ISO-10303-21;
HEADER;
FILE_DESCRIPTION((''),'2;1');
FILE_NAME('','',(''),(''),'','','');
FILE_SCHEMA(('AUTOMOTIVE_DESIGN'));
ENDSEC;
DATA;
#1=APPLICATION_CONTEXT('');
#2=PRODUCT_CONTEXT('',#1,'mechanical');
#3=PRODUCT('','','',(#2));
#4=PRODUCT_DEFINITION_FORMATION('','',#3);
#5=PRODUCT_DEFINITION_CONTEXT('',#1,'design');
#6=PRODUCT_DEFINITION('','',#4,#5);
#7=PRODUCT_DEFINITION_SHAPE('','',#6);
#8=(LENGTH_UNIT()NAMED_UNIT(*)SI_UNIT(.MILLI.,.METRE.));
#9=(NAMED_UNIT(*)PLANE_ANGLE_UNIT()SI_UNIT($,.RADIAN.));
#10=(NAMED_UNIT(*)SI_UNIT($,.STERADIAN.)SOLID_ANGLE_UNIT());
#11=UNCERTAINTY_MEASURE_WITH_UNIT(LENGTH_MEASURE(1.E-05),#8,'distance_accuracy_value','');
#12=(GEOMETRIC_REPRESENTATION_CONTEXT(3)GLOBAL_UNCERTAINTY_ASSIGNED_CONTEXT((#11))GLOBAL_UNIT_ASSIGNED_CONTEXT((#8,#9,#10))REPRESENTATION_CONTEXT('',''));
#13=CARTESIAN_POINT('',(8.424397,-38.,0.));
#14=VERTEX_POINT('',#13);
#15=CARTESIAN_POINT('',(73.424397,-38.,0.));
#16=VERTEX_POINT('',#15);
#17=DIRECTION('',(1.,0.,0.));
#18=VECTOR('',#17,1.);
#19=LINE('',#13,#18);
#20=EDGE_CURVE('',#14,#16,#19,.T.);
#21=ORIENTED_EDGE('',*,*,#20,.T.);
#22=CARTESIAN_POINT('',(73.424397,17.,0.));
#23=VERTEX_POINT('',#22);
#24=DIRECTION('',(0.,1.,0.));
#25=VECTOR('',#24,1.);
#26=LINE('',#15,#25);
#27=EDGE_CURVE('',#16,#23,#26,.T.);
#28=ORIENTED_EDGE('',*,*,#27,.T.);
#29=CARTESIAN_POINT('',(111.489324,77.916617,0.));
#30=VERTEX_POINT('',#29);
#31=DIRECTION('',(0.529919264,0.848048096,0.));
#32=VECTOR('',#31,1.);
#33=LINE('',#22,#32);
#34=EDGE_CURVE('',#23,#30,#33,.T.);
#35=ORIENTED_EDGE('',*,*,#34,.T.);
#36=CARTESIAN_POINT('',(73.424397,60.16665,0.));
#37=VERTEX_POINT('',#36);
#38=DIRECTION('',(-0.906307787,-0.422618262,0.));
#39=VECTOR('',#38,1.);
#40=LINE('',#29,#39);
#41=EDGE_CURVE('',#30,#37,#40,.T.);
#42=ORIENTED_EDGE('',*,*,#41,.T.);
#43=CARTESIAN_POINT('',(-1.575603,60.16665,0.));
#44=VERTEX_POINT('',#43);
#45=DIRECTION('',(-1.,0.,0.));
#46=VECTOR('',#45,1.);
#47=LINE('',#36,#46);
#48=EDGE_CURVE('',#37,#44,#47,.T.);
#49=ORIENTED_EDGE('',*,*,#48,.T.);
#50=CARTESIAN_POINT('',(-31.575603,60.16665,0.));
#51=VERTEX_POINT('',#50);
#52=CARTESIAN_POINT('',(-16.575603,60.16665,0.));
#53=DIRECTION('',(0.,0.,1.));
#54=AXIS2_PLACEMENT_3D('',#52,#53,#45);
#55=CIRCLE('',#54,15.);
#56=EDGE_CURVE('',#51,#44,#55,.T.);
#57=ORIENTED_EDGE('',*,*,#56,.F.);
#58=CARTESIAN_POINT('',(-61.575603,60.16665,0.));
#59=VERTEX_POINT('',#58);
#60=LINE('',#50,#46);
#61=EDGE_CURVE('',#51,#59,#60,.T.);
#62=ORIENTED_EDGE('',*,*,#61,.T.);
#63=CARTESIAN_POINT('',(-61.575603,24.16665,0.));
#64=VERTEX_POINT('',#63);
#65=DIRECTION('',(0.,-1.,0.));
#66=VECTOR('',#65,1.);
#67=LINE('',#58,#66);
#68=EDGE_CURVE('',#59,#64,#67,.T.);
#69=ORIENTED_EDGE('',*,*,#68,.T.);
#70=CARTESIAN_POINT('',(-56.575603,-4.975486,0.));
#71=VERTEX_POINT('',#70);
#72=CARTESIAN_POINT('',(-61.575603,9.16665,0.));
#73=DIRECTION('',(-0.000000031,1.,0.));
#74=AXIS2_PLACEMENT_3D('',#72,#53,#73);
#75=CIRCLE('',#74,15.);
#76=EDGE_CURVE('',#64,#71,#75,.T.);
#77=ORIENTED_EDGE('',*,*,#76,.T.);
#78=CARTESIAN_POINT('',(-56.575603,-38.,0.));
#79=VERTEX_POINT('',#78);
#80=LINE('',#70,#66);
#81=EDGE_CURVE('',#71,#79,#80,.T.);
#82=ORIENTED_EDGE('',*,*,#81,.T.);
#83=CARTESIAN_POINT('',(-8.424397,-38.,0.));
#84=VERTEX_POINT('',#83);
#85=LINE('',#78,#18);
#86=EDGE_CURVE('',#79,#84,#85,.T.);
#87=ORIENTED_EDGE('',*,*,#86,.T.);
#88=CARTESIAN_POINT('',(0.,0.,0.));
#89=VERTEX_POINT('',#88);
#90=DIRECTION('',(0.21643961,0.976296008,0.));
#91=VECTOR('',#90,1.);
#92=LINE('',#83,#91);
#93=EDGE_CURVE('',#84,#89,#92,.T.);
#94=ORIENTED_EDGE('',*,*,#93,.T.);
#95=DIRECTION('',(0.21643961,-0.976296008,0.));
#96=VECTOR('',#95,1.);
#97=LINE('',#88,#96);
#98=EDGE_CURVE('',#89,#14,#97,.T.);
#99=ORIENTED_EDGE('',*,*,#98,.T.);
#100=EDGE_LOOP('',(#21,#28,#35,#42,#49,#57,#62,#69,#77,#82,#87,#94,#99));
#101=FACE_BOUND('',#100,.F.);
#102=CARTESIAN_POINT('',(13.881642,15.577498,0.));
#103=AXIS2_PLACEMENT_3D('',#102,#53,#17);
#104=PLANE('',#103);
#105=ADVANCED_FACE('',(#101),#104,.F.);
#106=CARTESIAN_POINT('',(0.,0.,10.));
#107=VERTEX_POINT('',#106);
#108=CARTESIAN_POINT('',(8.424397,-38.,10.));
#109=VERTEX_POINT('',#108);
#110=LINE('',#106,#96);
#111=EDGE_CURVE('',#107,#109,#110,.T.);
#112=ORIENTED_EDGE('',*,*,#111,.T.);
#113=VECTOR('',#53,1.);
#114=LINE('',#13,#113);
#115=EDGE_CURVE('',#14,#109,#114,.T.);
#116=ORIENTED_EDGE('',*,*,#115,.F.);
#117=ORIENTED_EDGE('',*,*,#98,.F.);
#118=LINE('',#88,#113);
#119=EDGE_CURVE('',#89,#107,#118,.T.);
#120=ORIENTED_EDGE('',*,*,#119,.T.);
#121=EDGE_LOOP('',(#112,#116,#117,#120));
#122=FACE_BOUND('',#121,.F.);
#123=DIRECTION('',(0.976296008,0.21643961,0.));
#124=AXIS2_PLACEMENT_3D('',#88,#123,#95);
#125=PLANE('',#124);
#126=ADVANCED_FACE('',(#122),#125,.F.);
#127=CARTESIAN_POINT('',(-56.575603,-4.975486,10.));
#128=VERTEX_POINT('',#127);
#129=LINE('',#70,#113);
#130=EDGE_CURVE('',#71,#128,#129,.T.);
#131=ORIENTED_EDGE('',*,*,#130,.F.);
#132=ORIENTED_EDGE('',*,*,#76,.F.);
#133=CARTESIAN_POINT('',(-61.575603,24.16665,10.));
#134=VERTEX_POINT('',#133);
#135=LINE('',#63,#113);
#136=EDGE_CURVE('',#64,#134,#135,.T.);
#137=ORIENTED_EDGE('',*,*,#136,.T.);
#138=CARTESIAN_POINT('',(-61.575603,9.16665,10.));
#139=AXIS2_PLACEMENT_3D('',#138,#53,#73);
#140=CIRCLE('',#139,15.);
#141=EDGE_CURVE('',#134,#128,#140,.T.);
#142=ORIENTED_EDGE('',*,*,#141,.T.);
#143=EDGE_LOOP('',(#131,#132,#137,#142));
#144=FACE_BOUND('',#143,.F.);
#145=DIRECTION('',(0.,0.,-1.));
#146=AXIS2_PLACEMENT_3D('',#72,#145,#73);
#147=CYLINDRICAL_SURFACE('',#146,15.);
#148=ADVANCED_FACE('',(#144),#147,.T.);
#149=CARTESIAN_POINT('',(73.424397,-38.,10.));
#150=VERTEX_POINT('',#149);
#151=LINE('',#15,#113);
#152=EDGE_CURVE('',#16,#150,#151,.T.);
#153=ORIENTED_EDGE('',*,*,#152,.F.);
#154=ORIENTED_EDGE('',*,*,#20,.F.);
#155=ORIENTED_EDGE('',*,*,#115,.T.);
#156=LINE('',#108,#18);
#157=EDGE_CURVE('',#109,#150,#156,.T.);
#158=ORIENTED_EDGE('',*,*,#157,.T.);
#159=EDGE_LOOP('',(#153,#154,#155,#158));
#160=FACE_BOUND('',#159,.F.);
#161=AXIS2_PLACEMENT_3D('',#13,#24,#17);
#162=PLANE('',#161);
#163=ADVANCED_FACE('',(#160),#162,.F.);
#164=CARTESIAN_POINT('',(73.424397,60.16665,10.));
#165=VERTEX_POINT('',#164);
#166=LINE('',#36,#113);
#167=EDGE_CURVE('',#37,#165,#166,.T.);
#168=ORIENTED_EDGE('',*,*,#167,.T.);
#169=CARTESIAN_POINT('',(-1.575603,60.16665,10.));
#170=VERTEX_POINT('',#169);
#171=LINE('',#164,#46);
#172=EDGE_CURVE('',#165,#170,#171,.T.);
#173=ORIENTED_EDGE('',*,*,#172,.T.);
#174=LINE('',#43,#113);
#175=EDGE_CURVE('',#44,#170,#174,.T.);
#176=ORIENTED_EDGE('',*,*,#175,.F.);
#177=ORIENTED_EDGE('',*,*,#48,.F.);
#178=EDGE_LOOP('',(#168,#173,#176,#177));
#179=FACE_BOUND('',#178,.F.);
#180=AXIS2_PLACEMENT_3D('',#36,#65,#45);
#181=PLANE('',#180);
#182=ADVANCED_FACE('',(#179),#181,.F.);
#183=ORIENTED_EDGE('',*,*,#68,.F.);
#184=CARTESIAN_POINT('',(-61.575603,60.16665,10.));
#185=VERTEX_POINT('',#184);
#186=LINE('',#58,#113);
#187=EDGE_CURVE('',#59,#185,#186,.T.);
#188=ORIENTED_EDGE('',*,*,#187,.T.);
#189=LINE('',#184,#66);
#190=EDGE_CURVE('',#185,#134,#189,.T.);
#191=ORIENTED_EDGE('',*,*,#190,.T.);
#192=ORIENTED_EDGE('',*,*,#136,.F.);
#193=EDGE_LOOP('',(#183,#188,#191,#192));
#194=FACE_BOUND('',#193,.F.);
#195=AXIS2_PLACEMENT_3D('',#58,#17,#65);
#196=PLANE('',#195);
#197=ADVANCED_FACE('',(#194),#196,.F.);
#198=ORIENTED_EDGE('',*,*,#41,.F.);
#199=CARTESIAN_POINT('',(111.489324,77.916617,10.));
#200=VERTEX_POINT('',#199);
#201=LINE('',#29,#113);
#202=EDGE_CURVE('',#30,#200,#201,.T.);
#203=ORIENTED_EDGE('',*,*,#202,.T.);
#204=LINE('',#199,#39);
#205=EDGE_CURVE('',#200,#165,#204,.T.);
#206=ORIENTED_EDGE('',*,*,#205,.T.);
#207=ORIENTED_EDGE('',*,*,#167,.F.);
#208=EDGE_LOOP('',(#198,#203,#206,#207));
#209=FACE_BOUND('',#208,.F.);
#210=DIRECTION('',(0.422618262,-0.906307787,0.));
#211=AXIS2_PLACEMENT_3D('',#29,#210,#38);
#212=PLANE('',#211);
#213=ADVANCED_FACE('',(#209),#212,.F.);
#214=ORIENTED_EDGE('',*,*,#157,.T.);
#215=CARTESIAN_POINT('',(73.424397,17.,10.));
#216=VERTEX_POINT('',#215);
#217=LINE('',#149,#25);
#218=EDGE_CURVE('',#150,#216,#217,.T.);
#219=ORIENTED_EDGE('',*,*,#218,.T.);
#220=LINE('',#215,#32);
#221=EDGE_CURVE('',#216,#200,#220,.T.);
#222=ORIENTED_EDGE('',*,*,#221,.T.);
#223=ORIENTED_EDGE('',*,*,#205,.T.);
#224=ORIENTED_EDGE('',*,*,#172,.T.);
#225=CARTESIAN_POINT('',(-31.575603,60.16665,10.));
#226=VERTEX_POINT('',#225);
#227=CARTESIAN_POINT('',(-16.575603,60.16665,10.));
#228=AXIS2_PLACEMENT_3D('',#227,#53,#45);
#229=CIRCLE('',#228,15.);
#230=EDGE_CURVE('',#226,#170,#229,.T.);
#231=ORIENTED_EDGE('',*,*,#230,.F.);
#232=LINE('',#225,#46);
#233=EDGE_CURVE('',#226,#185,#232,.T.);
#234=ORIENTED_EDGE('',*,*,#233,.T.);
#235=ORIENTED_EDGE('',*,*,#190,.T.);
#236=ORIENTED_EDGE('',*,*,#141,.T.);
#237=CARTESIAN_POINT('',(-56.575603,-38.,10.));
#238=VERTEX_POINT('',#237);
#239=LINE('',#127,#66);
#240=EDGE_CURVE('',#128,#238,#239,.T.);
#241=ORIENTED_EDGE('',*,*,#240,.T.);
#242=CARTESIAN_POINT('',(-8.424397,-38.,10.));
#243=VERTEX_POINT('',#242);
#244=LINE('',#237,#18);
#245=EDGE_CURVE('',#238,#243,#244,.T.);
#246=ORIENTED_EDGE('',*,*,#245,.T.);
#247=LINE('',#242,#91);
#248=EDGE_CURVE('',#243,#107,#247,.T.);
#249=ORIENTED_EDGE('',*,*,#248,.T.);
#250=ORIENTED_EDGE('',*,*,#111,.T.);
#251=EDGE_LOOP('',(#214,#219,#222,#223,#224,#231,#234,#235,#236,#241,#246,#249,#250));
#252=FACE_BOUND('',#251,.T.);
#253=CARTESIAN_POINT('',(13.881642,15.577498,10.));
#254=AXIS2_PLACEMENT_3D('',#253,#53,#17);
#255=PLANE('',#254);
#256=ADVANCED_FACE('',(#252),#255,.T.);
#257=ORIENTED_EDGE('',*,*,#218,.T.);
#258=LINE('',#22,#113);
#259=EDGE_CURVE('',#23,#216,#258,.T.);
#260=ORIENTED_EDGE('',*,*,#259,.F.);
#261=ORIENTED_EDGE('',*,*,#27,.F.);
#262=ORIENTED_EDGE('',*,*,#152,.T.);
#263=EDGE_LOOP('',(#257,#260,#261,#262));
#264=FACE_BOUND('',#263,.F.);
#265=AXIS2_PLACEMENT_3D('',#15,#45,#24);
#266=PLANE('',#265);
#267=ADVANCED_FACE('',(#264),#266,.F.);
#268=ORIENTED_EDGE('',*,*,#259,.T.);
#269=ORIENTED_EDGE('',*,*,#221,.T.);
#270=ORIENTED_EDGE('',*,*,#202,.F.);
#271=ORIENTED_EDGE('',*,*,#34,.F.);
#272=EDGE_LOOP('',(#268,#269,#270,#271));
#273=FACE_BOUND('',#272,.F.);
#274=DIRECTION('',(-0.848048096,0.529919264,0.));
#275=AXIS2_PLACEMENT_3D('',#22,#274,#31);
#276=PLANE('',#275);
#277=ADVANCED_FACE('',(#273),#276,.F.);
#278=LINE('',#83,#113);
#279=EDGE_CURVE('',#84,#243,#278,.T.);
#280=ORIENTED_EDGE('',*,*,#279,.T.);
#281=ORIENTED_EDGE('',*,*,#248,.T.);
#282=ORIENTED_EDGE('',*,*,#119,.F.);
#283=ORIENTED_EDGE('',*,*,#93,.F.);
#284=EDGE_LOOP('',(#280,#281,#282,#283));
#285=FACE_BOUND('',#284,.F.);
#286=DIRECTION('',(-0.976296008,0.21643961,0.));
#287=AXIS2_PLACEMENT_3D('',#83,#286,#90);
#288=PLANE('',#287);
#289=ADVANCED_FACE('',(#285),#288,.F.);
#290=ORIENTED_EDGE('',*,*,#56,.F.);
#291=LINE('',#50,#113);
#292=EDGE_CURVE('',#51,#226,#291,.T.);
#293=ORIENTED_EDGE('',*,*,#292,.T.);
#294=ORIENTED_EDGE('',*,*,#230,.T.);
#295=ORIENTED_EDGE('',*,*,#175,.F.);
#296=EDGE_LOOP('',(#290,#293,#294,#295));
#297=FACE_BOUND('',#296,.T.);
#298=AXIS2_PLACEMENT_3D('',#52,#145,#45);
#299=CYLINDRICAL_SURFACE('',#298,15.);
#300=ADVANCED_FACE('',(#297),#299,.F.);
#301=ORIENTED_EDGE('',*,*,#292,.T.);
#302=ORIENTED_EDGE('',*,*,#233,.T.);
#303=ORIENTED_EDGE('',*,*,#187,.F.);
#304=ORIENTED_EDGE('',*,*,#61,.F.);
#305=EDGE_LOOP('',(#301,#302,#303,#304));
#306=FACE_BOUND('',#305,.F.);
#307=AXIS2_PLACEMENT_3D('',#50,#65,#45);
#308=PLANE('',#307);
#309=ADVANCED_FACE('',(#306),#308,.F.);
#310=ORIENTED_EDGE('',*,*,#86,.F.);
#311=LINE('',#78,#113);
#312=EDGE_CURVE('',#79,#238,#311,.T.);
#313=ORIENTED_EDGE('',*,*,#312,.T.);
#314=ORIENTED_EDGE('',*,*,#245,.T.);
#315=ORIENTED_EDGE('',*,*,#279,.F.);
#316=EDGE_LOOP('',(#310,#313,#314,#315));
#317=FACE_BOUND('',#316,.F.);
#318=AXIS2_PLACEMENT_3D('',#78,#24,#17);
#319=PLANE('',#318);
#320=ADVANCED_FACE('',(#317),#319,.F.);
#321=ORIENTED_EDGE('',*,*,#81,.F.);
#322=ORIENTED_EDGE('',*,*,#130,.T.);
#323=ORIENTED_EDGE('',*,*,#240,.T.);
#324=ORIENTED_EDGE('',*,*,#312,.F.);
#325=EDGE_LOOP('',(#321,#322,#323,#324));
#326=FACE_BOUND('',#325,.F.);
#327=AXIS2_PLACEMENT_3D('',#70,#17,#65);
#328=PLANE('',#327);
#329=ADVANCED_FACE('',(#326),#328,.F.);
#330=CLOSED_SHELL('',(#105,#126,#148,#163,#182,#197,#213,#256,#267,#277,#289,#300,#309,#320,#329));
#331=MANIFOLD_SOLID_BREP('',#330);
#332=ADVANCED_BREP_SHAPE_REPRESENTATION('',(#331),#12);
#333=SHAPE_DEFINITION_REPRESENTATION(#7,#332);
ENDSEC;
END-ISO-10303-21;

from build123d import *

# Parameters (mm, degrees)
PAD_DEPTH = 10


with BuildPart() as part:
    # Sketch → Pad (new body)
    with BuildSketch(Plane.XY):
        with BuildLine():
            Line((111.489324, 77.916617), (73.424397, 60.16665))
            Line((73.424397, 60.16665), (-1.575603, 60.16665))
            ThreePointArc((-31.575603, 60.16665), (-16.575603, 45.16665), (-1.575603, 60.16665))
            Line((-31.575603, 60.16665), (-61.575603, 60.16665))
            Line((-61.575603, 60.16665), (-61.575603, 24.16665))
            ThreePointArc((-61.575603, 24.16665), (-76.359581, 6.63012), (-56.575603, -4.975486))
            Line((-56.575603, -4.975486), (-56.575603, -38))
            Line((-56.575603, -38), (-8.424397, -38))
            Line((-8.424397, -38), (0, 0))
            Line((0, 0), (8.424397, -38))
            Line((8.424397, -38), (73.424397, -38))
            Line((73.424397, -38), (73.424397, 17))
            Line((73.424397, 17), (111.489324, 77.916617))
        make_face()
    extrude(amount=PAD_DEPTH)


solid = part.part
